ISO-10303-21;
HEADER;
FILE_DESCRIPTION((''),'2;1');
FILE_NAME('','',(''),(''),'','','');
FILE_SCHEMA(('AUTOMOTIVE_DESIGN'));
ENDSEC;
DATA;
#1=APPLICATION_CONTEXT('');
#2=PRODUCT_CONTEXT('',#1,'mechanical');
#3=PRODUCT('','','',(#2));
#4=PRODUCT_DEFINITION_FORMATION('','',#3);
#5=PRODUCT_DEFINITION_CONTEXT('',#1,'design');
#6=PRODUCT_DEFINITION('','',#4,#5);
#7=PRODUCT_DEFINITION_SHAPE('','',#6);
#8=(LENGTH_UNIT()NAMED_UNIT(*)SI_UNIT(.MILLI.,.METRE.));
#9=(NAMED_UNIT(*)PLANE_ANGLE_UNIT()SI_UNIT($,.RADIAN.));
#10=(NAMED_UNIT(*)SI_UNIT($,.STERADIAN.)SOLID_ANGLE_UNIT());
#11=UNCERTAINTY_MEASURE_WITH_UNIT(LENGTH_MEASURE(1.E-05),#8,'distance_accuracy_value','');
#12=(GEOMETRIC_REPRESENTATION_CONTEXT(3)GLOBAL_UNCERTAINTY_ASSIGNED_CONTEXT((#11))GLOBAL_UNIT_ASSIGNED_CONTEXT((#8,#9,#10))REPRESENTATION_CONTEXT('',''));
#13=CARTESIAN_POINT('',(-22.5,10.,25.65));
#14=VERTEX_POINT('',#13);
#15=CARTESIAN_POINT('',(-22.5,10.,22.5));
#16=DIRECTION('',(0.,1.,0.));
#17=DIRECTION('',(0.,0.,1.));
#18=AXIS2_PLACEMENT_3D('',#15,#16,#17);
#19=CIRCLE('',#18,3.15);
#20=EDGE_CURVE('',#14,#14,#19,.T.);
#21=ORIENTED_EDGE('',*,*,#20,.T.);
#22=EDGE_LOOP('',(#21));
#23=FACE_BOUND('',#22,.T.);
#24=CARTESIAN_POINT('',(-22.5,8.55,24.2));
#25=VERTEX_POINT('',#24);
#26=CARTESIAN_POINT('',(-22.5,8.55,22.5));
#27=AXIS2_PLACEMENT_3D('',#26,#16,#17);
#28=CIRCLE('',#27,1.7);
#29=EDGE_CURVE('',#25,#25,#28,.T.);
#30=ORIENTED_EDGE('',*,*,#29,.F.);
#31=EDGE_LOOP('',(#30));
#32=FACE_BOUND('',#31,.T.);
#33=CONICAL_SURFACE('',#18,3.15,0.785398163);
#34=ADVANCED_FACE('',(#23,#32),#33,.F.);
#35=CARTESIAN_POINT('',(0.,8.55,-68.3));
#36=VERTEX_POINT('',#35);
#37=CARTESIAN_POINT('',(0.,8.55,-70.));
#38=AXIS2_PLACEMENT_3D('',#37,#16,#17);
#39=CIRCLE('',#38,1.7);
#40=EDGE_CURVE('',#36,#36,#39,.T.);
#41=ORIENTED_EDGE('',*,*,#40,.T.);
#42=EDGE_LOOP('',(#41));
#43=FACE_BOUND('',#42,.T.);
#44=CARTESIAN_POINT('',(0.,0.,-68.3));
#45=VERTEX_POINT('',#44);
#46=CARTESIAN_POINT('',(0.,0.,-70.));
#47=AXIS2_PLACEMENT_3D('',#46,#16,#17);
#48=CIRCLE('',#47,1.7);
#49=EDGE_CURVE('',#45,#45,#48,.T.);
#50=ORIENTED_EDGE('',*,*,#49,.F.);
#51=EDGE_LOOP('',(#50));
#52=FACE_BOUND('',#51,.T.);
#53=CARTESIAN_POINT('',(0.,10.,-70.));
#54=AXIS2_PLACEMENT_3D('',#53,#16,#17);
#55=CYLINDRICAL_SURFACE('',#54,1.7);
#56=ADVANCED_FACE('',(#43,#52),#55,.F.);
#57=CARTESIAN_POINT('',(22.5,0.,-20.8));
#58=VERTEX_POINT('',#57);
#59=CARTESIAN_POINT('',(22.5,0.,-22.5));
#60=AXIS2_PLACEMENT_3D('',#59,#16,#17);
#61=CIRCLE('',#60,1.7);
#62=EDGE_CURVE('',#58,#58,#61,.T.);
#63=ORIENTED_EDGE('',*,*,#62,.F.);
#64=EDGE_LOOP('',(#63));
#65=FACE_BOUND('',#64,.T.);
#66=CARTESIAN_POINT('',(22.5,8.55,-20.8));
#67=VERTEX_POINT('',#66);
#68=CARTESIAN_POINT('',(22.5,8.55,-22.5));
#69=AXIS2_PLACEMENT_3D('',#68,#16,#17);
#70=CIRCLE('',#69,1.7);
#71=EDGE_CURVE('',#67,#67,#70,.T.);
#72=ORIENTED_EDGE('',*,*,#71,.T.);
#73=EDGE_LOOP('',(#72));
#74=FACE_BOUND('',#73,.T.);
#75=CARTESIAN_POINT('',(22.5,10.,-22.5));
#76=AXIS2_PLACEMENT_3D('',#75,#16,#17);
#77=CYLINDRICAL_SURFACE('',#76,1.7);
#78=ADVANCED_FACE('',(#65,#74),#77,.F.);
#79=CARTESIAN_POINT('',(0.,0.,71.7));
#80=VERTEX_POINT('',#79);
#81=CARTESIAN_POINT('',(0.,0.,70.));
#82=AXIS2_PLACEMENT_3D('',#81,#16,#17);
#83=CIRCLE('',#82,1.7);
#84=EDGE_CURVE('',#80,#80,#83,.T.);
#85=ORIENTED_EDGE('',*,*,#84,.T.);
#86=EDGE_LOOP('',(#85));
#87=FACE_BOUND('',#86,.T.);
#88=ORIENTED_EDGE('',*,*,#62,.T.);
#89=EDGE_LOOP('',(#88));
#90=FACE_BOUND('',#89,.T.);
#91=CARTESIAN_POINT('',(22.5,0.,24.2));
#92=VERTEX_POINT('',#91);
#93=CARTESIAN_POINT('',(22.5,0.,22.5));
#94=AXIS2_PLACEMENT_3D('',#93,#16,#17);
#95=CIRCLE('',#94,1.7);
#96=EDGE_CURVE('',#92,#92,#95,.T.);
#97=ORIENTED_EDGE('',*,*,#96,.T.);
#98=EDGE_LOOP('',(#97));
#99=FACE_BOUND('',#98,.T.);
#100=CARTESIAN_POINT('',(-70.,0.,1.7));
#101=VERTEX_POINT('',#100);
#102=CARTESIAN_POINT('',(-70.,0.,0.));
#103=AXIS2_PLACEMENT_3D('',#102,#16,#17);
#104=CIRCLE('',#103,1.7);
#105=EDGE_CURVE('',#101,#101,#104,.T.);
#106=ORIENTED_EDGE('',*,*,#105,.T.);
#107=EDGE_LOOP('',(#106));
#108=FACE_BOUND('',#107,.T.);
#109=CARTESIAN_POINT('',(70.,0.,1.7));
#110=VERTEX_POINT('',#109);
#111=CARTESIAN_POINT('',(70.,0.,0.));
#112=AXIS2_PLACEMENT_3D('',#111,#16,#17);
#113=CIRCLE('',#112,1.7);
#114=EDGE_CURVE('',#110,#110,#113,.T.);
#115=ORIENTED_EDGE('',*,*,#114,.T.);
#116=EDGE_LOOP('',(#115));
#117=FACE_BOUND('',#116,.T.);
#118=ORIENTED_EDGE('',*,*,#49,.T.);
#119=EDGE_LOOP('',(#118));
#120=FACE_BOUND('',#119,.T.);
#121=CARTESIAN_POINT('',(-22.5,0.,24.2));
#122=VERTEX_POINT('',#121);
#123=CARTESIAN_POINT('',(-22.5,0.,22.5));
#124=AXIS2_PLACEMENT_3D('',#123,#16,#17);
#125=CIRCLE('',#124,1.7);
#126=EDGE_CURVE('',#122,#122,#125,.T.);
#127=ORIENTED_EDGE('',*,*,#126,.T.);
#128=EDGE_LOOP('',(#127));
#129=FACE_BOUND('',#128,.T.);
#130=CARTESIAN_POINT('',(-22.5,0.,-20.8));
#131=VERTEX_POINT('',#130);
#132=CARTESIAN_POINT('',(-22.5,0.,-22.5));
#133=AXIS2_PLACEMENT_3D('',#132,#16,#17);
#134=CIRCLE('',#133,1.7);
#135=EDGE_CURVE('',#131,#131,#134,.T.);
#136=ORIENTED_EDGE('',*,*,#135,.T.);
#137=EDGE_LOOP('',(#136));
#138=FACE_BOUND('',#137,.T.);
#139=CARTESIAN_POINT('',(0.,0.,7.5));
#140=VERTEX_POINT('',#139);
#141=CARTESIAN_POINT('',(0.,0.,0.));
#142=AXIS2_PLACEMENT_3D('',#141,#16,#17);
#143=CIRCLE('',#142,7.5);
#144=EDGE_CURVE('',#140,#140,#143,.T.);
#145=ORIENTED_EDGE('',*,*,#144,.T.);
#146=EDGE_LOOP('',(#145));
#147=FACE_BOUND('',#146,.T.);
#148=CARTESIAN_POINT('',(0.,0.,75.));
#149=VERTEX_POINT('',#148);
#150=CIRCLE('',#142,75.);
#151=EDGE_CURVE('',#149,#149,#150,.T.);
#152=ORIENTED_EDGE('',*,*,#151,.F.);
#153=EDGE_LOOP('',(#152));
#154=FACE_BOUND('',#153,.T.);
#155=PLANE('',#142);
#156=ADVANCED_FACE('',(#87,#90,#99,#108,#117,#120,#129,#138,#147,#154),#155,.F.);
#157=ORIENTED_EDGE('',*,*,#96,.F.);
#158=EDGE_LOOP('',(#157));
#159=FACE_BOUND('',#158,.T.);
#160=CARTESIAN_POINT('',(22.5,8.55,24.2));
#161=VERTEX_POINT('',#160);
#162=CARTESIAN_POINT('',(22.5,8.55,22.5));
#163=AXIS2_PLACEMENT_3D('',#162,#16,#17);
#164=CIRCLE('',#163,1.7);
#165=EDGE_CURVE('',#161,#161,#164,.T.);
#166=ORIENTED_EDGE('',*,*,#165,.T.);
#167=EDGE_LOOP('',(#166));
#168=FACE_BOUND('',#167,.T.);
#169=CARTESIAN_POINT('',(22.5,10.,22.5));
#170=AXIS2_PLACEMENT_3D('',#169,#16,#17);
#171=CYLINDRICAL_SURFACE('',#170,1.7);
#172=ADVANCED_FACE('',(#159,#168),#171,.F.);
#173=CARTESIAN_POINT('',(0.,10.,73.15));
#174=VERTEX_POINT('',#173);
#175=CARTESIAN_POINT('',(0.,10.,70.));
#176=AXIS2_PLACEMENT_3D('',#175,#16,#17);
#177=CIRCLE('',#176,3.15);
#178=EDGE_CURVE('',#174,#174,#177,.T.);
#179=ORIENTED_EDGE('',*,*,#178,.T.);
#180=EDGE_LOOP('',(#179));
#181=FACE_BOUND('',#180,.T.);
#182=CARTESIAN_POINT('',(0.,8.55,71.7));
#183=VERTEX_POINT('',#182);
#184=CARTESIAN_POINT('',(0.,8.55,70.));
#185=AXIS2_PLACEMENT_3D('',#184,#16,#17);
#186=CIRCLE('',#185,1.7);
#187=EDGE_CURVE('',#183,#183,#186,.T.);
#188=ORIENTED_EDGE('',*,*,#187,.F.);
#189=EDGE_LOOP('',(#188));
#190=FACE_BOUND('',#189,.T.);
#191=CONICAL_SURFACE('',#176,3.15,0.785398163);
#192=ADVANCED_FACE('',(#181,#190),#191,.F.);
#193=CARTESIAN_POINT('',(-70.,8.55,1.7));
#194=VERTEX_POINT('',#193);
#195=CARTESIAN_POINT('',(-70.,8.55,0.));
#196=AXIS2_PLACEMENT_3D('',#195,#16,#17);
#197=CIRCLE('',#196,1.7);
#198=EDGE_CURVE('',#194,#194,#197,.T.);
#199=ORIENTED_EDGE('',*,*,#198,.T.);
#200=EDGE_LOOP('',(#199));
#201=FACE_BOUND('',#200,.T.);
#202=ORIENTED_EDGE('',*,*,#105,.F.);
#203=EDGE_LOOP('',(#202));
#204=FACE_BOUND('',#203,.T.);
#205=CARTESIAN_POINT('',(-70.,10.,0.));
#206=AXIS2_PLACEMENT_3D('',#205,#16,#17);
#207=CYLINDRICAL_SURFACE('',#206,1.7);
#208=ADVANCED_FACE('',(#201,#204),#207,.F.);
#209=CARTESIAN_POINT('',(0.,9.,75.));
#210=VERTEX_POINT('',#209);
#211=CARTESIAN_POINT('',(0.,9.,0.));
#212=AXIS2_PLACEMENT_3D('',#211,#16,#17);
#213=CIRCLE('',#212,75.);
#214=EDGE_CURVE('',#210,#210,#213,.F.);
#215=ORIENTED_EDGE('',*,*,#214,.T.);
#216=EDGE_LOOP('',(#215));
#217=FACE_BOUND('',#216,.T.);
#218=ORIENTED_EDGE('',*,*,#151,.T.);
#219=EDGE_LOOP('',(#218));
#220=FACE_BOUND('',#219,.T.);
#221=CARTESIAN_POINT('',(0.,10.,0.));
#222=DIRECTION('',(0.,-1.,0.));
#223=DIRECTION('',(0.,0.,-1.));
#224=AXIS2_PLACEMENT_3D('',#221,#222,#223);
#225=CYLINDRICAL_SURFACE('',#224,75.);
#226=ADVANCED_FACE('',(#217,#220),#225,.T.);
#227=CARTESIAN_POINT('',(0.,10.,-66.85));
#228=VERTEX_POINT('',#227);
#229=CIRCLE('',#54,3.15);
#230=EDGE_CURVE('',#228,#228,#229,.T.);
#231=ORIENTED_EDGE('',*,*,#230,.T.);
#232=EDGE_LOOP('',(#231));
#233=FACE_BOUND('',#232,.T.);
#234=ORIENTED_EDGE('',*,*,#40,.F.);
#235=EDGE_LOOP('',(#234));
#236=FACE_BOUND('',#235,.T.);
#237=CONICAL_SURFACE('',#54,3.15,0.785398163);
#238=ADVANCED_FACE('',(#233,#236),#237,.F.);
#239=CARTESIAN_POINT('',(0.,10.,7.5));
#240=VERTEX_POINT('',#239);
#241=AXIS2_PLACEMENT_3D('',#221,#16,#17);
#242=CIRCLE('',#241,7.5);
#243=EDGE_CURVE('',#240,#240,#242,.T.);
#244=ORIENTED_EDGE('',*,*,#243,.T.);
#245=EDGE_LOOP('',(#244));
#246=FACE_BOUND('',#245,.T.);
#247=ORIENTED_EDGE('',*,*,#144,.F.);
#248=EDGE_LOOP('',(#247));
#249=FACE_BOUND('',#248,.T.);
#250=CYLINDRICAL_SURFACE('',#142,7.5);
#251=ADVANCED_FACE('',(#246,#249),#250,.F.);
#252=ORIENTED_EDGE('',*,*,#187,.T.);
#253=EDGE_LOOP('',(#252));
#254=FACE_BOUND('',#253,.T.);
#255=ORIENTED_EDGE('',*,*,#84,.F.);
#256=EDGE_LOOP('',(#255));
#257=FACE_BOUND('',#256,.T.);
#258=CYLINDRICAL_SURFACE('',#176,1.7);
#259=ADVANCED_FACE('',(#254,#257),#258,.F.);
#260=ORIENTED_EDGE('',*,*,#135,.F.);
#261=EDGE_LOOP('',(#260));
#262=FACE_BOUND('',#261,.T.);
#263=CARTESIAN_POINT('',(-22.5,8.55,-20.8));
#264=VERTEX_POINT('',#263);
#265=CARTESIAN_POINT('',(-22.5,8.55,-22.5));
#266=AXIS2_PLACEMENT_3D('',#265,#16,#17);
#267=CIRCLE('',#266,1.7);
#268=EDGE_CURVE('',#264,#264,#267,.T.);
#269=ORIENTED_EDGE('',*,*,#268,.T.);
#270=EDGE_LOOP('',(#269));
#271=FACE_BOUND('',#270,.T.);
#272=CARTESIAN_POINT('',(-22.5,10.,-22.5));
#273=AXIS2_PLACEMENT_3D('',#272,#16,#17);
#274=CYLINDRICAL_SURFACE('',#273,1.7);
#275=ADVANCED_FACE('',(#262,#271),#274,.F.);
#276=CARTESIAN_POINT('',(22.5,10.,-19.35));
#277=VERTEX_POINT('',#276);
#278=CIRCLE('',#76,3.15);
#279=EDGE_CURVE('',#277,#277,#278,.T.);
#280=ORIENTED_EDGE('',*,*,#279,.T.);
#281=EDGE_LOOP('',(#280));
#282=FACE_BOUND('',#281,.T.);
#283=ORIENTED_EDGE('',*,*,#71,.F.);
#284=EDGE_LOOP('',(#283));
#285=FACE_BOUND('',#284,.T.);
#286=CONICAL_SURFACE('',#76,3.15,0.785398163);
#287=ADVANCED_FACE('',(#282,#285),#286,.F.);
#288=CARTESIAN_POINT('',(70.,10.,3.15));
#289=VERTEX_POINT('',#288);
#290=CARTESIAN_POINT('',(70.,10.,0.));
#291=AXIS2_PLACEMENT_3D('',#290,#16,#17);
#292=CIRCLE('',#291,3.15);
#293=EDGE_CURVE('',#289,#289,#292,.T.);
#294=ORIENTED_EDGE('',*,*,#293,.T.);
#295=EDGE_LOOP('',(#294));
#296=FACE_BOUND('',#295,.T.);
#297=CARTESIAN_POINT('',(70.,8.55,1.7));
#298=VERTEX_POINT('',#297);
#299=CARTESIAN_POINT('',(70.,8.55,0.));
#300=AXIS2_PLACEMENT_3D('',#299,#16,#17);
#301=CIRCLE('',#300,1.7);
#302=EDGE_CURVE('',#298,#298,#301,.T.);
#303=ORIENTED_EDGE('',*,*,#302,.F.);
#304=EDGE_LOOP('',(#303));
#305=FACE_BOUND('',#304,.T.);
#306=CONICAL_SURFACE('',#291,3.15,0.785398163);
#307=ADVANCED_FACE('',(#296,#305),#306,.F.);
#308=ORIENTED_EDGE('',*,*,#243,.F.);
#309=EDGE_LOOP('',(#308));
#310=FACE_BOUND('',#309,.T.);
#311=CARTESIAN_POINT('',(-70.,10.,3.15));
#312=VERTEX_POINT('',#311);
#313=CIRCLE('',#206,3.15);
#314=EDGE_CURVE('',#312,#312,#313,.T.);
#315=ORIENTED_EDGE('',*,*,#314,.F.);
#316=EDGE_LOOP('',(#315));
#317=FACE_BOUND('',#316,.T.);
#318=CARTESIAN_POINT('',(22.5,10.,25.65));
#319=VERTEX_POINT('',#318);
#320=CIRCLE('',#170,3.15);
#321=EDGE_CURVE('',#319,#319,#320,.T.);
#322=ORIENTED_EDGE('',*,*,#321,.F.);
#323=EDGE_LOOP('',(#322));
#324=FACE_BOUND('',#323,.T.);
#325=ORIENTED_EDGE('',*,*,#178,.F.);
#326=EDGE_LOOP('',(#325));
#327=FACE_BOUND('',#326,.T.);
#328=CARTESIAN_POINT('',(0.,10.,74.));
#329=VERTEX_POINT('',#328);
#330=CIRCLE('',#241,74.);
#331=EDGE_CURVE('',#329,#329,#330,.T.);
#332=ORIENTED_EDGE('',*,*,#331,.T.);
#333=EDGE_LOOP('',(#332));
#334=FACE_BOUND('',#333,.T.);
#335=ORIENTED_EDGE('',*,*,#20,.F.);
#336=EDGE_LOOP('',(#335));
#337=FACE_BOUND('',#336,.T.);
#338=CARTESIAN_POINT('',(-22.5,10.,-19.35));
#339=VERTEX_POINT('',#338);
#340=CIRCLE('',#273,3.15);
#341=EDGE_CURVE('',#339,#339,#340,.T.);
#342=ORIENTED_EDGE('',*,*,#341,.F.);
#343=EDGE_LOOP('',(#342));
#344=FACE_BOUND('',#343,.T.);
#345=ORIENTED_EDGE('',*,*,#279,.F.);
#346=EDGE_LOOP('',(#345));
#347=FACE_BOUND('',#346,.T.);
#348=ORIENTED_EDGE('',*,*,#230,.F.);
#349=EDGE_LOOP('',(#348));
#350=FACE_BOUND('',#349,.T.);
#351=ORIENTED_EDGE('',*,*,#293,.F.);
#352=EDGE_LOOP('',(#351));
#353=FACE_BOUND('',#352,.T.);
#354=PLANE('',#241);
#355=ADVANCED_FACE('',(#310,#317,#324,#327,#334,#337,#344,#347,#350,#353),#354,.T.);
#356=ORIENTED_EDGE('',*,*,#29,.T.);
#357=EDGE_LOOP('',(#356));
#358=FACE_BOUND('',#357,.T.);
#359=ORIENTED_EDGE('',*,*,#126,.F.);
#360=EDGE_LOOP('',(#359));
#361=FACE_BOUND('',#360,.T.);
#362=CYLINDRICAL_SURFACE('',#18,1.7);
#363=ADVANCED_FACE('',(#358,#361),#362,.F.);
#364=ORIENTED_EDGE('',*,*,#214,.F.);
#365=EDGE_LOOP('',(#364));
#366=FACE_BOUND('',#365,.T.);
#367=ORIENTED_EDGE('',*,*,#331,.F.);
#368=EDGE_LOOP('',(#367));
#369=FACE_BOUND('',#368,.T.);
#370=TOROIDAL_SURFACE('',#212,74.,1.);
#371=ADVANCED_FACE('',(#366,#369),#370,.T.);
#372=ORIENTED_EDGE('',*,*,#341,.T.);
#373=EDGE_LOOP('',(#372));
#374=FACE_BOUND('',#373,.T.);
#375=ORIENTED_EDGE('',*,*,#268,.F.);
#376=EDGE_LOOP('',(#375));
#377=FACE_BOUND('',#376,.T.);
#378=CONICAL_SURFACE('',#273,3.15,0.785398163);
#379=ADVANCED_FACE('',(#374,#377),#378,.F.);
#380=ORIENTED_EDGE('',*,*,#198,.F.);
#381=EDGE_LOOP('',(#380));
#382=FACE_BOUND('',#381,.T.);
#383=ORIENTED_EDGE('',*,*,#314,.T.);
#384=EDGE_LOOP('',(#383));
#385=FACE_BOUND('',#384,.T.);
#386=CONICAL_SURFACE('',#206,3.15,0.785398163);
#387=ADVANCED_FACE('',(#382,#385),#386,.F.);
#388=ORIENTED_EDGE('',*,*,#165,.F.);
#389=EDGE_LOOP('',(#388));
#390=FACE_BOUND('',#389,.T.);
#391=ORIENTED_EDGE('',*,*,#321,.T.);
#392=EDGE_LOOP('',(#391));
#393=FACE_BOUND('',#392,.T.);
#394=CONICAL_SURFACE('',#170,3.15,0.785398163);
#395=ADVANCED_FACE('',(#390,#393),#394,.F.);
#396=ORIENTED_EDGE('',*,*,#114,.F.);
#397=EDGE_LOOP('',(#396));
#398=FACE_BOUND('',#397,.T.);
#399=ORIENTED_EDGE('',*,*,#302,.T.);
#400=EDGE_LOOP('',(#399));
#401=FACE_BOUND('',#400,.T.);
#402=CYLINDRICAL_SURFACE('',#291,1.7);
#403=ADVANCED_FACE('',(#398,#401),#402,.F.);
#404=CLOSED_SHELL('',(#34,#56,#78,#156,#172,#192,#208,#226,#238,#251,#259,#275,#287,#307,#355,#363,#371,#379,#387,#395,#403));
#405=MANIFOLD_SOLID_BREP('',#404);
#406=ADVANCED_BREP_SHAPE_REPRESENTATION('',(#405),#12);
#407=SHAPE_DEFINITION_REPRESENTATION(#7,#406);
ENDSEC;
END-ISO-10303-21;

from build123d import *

# Parameters (mm, degrees)
SKETCH1_R                                       = 75
BOSS_EXTRUDE1_DEPTH                             = 10
CSK_FOR_M3_FLAT_HEAD_MACHINE_SCREW1_D           = 3.4
CSK_FOR_M3_FLAT_HEAD_MACHINE_SCREW1_CSINK_D     = 6.3
CSK_FOR_M3_FLAT_HEAD_MACHINE_SCREW1_CSINK_ANGLE = 90
CIRPATTERN1_COUNT                               = 4
SKETCH8_R                                       = 7.5
CUT_EXTRUDE1_DEPTH                              = 107.536378763
CSK_FOR_M3_FLAT_HEAD_MACHINE_SCREW2_D           = 3.4
CSK_FOR_M3_FLAT_HEAD_MACHINE_SCREW2_CSINK_D     = 6.3
CSK_FOR_M3_FLAT_HEAD_MACHINE_SCREW2_CSINK_ANGLE = 90
FILLET1_R                                       = 1


with BuildPart() as part:
    # Sketch1 → Boss-Extrude1 (new body)
    with BuildSketch(Plane(origin=(0, 0, 0), x_dir=(1, 0, 0), z_dir=(0, 1, 0))):
        with Locations(Location((0, 0, 0), (0, 0, 270))):
            Circle(SKETCH1_R)
    extrude(amount=BOSS_EXTRUDE1_DEPTH)

    # CSK for M3 Flat Head Machine Screw1 (through all)
    with Locations(Plane(origin=(0, 10, 0), x_dir=(1, 0, 0), z_dir=(0, 1, 0))):
        with Locations((0, 70)):
            csk_for_m3_flat_head_machine_screw1 = CounterSinkHole(CSK_FOR_M3_FLAT_HEAD_MACHINE_SCREW1_D / 2, CSK_FOR_M3_FLAT_HEAD_MACHINE_SCREW1_CSINK_D / 2, counter_sink_angle=CSK_FOR_M3_FLAT_HEAD_MACHINE_SCREW1_CSINK_ANGLE)

    # CirPattern1: CSK for M3 Flat Head Machine Screw1 ×4 about axis
    cirpattern1_axis = Axis((0, 0, 0), (0, 1, 0))
    for i in range(1, CIRPATTERN1_COUNT):
        add(csk_for_m3_flat_head_machine_screw1.rotate(cirpattern1_axis, i * 360 / CIRPATTERN1_COUNT), mode=Mode.SUBTRACT)

    # Sketch8 → Cut-Extrude1 (cut, through all)
    with BuildSketch(Plane(origin=(0, 10, 0), x_dir=(1, 0, 0), z_dir=(0, 1, 0))):
        with Locations(Location((0, 0, 0), (0, 0, 270))):
            Circle(SKETCH8_R)
    extrude(amount=-CUT_EXTRUDE1_DEPTH, mode=Mode.SUBTRACT)

    # CSK for M3 Flat Head Machine Screw2 (through all)
    with Locations(Plane(origin=(0, 10, 0), x_dir=(1, 0, 0), z_dir=(0, 1, 0))):
        with Locations((22.5, 22.5), (22.5, -22.5), (-22.5, -22.5), (-22.5, 22.5)):
            CounterSinkHole(CSK_FOR_M3_FLAT_HEAD_MACHINE_SCREW2_D / 2, CSK_FOR_M3_FLAT_HEAD_MACHINE_SCREW2_CSINK_D / 2, counter_sink_angle=CSK_FOR_M3_FLAT_HEAD_MACHINE_SCREW2_CSINK_ANGLE)

    # Fillet1
    fillet1_edges = [part.edges().sort_by_distance(p)[0] for p in [
        (0, 10, -75),
    ]]
    fillet(fillet1_edges, radius=FILLET1_R)


solid = part.part
